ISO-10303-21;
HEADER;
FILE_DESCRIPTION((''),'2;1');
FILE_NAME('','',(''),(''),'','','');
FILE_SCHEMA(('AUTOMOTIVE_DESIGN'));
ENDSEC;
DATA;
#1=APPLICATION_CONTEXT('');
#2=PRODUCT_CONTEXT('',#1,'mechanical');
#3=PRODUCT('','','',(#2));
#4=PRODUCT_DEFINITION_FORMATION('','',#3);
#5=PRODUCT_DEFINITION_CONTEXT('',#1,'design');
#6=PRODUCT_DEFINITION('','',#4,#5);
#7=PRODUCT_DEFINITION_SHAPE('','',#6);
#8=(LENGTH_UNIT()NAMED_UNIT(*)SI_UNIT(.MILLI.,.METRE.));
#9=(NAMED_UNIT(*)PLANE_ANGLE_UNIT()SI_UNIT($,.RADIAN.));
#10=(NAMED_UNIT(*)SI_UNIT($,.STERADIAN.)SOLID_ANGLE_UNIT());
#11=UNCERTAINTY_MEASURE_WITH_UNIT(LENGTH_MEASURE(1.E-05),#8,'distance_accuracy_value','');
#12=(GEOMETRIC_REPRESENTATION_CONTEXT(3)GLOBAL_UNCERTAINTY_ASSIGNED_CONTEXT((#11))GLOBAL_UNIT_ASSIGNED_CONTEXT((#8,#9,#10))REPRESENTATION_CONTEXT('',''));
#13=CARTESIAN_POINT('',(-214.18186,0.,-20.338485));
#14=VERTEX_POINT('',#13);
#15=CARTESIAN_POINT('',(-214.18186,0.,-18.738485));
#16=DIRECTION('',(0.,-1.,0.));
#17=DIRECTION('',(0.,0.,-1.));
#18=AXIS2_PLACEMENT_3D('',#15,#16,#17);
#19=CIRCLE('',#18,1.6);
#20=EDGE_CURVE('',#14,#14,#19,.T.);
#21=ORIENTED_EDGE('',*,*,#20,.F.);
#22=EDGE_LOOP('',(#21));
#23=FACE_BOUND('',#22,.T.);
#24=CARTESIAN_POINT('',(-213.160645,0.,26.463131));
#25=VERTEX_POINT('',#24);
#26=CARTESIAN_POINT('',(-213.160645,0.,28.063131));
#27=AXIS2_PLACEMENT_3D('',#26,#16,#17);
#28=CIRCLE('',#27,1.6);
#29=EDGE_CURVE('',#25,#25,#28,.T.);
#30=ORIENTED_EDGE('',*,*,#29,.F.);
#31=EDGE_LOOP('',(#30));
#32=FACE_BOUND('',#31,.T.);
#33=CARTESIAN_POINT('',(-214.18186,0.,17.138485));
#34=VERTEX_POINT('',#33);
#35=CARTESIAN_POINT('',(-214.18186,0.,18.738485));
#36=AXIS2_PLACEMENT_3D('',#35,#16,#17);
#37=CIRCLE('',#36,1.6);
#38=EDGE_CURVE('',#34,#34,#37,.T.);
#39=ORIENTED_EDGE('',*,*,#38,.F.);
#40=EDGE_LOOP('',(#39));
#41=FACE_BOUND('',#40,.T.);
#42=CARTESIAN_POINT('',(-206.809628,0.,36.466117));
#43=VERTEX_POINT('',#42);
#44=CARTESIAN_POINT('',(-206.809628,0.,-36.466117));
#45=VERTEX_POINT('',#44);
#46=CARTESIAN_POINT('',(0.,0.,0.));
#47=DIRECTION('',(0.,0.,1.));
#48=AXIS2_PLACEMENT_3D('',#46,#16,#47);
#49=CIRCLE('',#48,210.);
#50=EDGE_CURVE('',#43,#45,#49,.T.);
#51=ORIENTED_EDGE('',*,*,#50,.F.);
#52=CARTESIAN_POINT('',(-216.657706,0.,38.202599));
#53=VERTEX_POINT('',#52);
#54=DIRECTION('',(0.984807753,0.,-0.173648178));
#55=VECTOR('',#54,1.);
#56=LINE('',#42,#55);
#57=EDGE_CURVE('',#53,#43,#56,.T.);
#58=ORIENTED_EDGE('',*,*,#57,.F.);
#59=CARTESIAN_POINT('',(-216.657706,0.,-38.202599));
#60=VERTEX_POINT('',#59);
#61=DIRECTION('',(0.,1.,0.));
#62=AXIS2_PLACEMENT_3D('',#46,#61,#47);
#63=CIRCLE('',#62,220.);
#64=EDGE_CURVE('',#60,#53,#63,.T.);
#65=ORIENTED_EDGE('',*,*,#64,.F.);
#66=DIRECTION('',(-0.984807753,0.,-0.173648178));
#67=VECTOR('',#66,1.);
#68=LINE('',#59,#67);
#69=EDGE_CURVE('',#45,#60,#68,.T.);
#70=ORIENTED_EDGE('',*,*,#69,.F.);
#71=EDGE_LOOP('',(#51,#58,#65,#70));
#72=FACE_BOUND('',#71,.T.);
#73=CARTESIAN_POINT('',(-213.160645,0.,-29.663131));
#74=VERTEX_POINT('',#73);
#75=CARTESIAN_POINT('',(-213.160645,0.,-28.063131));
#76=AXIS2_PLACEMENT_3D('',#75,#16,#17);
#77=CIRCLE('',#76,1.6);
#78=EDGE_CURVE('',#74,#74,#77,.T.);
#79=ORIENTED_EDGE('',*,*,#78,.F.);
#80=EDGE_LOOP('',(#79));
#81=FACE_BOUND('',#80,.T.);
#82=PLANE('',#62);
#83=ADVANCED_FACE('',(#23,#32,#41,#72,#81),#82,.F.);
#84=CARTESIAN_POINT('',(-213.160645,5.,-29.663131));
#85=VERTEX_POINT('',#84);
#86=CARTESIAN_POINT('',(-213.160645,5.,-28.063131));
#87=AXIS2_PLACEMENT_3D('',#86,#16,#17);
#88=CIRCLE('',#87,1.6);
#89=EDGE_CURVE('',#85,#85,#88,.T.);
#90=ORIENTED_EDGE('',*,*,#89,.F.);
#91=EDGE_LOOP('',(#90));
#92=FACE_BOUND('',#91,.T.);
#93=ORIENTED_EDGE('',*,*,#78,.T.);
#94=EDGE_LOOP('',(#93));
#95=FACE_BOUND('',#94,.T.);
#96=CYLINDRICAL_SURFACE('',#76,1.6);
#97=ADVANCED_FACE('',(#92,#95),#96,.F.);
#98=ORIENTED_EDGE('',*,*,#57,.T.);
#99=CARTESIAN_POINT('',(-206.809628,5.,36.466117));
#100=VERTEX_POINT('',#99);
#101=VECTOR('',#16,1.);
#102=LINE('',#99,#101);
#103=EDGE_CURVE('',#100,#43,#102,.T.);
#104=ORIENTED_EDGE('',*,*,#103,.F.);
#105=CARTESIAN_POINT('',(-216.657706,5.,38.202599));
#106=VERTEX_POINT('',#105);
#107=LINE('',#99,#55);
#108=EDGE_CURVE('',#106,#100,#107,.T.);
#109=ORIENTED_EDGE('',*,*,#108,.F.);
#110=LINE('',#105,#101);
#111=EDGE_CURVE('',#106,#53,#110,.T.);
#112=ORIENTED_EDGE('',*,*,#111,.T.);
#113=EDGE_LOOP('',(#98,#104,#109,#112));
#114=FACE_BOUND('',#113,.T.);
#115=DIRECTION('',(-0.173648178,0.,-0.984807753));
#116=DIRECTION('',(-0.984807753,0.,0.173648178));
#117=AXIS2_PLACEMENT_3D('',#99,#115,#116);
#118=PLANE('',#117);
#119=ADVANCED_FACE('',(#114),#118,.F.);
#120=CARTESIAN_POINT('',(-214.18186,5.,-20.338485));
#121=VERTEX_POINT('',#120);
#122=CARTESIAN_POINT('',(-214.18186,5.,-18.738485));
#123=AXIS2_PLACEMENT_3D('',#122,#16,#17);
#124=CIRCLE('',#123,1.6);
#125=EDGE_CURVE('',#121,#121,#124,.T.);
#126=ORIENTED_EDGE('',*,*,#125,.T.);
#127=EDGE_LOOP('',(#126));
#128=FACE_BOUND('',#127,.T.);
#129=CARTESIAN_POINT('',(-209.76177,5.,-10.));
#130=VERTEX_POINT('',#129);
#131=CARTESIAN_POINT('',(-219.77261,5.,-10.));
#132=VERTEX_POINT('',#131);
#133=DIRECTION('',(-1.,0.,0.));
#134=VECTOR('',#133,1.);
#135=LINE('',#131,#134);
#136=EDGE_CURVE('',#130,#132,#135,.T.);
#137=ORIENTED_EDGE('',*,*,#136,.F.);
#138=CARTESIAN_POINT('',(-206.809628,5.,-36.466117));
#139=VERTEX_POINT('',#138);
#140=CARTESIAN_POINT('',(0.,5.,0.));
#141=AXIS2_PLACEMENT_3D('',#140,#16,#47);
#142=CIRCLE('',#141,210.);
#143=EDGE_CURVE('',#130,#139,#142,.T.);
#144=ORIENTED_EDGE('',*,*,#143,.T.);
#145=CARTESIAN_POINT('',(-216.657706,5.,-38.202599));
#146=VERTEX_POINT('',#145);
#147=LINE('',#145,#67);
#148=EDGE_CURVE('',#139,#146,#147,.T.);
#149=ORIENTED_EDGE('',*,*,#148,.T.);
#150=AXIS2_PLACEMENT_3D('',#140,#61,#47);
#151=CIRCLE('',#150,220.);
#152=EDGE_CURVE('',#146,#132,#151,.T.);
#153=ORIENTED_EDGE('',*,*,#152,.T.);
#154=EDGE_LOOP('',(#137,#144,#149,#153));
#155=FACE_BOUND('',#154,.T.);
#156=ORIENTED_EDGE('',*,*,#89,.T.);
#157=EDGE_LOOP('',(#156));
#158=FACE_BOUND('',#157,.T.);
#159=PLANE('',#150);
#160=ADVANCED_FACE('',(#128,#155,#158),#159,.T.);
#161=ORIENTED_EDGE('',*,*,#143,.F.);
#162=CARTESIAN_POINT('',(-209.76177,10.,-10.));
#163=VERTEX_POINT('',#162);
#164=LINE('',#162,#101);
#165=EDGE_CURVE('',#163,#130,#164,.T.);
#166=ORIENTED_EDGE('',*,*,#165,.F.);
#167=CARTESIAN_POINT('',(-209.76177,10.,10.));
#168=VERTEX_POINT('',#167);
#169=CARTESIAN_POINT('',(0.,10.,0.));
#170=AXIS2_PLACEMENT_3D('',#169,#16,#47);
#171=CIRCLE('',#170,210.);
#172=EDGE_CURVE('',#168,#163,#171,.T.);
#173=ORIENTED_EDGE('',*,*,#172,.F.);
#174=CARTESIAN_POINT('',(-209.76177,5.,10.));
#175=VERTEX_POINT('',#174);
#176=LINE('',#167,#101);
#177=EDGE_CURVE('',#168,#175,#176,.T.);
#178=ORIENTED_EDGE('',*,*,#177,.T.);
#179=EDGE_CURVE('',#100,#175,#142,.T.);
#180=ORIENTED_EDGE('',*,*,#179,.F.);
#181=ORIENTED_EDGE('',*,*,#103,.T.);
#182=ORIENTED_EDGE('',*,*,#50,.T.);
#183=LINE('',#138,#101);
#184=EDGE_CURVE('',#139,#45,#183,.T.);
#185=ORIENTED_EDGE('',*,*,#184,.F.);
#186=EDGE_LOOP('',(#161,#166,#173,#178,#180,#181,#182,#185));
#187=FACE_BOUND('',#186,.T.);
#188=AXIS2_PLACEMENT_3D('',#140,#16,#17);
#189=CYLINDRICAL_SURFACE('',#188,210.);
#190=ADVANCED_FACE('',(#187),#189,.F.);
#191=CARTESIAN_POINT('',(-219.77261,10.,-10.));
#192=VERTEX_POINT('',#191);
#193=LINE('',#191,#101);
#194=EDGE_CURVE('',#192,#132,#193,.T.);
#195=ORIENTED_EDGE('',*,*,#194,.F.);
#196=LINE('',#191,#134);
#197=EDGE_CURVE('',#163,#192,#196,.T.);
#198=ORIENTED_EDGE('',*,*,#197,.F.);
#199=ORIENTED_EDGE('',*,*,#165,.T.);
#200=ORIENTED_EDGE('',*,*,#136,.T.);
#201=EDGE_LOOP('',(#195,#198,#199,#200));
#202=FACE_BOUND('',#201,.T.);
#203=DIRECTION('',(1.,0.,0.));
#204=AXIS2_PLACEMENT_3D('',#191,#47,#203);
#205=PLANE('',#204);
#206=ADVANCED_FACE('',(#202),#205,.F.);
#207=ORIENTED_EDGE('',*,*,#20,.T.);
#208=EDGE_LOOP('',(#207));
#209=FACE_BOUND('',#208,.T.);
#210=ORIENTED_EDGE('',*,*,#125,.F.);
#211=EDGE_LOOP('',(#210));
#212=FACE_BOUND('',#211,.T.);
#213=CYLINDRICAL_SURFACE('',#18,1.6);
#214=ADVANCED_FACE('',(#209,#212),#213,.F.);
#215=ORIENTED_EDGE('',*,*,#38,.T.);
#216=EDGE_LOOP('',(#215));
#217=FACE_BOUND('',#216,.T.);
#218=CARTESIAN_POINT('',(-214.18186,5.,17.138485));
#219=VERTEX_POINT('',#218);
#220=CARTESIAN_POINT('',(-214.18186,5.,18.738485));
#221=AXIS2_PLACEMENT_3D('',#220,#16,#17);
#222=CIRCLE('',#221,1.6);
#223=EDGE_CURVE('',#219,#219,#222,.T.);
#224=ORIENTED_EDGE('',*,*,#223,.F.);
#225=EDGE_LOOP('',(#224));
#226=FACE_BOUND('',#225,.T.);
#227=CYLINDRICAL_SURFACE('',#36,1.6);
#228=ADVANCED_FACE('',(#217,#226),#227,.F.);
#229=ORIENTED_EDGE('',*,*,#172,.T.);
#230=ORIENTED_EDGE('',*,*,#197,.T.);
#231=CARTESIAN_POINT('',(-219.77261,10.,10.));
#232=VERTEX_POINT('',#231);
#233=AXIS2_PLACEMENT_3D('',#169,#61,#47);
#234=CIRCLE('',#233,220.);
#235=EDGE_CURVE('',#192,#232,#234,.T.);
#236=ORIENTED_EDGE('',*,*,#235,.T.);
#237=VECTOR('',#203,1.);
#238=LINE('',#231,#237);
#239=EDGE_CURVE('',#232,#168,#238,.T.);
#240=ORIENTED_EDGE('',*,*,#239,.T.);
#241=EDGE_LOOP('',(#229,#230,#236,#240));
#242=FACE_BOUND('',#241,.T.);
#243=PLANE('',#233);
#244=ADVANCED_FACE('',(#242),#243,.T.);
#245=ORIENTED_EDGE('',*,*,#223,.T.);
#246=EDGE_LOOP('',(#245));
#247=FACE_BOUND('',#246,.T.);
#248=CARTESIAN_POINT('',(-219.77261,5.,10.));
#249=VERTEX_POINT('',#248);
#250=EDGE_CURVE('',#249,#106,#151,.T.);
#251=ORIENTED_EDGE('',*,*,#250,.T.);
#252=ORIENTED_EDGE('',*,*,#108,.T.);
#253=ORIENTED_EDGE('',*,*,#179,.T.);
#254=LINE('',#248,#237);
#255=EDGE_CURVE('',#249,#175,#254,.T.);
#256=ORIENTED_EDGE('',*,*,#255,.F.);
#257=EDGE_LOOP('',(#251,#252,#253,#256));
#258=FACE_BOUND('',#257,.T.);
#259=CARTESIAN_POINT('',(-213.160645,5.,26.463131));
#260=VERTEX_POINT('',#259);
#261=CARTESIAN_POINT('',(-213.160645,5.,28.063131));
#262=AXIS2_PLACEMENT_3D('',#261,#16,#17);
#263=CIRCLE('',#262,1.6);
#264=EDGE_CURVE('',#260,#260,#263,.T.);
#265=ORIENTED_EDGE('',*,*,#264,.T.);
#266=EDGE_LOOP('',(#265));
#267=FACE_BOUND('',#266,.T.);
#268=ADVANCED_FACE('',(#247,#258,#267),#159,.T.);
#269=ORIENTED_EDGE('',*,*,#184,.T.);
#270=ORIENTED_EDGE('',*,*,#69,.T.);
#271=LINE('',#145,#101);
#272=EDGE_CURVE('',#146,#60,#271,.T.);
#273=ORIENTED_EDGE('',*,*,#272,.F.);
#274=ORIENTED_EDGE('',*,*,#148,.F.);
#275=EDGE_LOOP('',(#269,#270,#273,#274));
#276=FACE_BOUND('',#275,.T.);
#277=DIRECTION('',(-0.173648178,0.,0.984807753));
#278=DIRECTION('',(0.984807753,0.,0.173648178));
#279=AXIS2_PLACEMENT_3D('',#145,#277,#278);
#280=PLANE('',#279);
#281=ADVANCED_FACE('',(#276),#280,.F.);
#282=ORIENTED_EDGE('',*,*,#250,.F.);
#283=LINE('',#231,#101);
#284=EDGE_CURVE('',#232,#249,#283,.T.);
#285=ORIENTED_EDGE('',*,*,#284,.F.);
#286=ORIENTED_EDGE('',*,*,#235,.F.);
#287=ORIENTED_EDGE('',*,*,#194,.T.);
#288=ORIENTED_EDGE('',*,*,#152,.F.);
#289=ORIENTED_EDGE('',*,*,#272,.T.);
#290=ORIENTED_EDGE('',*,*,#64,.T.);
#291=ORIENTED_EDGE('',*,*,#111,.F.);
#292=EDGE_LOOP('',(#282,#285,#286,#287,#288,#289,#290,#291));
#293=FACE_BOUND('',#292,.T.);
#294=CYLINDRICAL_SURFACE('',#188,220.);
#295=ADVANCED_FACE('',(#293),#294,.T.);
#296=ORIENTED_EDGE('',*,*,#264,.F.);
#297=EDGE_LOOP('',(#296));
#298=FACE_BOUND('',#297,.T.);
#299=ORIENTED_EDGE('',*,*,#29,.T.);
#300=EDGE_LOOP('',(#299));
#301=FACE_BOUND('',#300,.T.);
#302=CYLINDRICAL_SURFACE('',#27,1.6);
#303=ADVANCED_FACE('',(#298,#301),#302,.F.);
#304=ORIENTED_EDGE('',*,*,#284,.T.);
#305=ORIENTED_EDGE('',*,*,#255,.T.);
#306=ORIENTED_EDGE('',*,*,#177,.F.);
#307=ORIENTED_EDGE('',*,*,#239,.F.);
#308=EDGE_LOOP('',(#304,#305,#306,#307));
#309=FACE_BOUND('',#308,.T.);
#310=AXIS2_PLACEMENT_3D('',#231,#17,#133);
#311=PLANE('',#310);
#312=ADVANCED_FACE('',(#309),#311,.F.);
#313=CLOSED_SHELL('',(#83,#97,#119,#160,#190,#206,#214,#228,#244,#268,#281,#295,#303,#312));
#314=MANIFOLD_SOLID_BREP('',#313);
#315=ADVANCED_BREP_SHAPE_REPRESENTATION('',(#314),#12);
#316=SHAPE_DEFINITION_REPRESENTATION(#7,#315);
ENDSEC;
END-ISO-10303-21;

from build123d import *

# Parameters (mm, degrees)
BOSS_EXTRUDE1_DEPTH        = 5
F_3_2_3_2_DIAMETER_HOLE1_D = 3.2
BOSS_EXTRUDE2_DEPTH        = 5


with BuildPart() as part:
    # Sketch1 → Boss-Extrude1 (new body)
    with BuildSketch(Plane(origin=(0, 0, 0), x_dir=(1, 0, 0), z_dir=(0, 1, 0))):
        with BuildLine():
            Line((-216.657705663, 38.202599087), (-206.809628133, 36.46611731))
            ThreePointArc((-206.809628133, 36.46611731), (-210, 0), (-206.809628133, -36.46611731))
            Line((-206.809628133, -36.46611731), (-216.657705663, -38.202599087))
            ThreePointArc((-216.657705663, -38.202599087), (-220, 0), (-216.657705663, 38.202599087))
        make_face()
    extrude(amount=BOSS_EXTRUDE1_DEPTH)

    # Ø3.2 (3.2) Diameter Hole1 (through all)
    with Locations(Plane(origin=(0, 0, 0), x_dir=(-1, 0, 0), z_dir=(0, -1, 0))):
        with Locations((214.18186009, -18.738484691), (214.18186009, 18.738484691), (213.160645195, -28.063131327), (213.160645195, 28.063131327)):
            Hole(F_3_2_3_2_DIAMETER_HOLE1_D / 2)

    # Sketch9 → Boss-Extrude2 (add)
    with BuildSketch(Plane(origin=(0, 5, 0), x_dir=(1, 0, 0), z_dir=(0, 1, 0))):
        with BuildLine():
            Line((-219.772609758, 10), (-209.761769634, 10))
            ThreePointArc((-209.761769634, 10), (-210, 0), (-209.761769634, -10))
            Line((-209.761769634, -10), (-219.772609758, -10))
            ThreePointArc((-219.772609758, -10), (-220, 0), (-219.772609758, 10))
        make_face()
    extrude(amount=BOSS_EXTRUDE2_DEPTH)


solid = part.part
